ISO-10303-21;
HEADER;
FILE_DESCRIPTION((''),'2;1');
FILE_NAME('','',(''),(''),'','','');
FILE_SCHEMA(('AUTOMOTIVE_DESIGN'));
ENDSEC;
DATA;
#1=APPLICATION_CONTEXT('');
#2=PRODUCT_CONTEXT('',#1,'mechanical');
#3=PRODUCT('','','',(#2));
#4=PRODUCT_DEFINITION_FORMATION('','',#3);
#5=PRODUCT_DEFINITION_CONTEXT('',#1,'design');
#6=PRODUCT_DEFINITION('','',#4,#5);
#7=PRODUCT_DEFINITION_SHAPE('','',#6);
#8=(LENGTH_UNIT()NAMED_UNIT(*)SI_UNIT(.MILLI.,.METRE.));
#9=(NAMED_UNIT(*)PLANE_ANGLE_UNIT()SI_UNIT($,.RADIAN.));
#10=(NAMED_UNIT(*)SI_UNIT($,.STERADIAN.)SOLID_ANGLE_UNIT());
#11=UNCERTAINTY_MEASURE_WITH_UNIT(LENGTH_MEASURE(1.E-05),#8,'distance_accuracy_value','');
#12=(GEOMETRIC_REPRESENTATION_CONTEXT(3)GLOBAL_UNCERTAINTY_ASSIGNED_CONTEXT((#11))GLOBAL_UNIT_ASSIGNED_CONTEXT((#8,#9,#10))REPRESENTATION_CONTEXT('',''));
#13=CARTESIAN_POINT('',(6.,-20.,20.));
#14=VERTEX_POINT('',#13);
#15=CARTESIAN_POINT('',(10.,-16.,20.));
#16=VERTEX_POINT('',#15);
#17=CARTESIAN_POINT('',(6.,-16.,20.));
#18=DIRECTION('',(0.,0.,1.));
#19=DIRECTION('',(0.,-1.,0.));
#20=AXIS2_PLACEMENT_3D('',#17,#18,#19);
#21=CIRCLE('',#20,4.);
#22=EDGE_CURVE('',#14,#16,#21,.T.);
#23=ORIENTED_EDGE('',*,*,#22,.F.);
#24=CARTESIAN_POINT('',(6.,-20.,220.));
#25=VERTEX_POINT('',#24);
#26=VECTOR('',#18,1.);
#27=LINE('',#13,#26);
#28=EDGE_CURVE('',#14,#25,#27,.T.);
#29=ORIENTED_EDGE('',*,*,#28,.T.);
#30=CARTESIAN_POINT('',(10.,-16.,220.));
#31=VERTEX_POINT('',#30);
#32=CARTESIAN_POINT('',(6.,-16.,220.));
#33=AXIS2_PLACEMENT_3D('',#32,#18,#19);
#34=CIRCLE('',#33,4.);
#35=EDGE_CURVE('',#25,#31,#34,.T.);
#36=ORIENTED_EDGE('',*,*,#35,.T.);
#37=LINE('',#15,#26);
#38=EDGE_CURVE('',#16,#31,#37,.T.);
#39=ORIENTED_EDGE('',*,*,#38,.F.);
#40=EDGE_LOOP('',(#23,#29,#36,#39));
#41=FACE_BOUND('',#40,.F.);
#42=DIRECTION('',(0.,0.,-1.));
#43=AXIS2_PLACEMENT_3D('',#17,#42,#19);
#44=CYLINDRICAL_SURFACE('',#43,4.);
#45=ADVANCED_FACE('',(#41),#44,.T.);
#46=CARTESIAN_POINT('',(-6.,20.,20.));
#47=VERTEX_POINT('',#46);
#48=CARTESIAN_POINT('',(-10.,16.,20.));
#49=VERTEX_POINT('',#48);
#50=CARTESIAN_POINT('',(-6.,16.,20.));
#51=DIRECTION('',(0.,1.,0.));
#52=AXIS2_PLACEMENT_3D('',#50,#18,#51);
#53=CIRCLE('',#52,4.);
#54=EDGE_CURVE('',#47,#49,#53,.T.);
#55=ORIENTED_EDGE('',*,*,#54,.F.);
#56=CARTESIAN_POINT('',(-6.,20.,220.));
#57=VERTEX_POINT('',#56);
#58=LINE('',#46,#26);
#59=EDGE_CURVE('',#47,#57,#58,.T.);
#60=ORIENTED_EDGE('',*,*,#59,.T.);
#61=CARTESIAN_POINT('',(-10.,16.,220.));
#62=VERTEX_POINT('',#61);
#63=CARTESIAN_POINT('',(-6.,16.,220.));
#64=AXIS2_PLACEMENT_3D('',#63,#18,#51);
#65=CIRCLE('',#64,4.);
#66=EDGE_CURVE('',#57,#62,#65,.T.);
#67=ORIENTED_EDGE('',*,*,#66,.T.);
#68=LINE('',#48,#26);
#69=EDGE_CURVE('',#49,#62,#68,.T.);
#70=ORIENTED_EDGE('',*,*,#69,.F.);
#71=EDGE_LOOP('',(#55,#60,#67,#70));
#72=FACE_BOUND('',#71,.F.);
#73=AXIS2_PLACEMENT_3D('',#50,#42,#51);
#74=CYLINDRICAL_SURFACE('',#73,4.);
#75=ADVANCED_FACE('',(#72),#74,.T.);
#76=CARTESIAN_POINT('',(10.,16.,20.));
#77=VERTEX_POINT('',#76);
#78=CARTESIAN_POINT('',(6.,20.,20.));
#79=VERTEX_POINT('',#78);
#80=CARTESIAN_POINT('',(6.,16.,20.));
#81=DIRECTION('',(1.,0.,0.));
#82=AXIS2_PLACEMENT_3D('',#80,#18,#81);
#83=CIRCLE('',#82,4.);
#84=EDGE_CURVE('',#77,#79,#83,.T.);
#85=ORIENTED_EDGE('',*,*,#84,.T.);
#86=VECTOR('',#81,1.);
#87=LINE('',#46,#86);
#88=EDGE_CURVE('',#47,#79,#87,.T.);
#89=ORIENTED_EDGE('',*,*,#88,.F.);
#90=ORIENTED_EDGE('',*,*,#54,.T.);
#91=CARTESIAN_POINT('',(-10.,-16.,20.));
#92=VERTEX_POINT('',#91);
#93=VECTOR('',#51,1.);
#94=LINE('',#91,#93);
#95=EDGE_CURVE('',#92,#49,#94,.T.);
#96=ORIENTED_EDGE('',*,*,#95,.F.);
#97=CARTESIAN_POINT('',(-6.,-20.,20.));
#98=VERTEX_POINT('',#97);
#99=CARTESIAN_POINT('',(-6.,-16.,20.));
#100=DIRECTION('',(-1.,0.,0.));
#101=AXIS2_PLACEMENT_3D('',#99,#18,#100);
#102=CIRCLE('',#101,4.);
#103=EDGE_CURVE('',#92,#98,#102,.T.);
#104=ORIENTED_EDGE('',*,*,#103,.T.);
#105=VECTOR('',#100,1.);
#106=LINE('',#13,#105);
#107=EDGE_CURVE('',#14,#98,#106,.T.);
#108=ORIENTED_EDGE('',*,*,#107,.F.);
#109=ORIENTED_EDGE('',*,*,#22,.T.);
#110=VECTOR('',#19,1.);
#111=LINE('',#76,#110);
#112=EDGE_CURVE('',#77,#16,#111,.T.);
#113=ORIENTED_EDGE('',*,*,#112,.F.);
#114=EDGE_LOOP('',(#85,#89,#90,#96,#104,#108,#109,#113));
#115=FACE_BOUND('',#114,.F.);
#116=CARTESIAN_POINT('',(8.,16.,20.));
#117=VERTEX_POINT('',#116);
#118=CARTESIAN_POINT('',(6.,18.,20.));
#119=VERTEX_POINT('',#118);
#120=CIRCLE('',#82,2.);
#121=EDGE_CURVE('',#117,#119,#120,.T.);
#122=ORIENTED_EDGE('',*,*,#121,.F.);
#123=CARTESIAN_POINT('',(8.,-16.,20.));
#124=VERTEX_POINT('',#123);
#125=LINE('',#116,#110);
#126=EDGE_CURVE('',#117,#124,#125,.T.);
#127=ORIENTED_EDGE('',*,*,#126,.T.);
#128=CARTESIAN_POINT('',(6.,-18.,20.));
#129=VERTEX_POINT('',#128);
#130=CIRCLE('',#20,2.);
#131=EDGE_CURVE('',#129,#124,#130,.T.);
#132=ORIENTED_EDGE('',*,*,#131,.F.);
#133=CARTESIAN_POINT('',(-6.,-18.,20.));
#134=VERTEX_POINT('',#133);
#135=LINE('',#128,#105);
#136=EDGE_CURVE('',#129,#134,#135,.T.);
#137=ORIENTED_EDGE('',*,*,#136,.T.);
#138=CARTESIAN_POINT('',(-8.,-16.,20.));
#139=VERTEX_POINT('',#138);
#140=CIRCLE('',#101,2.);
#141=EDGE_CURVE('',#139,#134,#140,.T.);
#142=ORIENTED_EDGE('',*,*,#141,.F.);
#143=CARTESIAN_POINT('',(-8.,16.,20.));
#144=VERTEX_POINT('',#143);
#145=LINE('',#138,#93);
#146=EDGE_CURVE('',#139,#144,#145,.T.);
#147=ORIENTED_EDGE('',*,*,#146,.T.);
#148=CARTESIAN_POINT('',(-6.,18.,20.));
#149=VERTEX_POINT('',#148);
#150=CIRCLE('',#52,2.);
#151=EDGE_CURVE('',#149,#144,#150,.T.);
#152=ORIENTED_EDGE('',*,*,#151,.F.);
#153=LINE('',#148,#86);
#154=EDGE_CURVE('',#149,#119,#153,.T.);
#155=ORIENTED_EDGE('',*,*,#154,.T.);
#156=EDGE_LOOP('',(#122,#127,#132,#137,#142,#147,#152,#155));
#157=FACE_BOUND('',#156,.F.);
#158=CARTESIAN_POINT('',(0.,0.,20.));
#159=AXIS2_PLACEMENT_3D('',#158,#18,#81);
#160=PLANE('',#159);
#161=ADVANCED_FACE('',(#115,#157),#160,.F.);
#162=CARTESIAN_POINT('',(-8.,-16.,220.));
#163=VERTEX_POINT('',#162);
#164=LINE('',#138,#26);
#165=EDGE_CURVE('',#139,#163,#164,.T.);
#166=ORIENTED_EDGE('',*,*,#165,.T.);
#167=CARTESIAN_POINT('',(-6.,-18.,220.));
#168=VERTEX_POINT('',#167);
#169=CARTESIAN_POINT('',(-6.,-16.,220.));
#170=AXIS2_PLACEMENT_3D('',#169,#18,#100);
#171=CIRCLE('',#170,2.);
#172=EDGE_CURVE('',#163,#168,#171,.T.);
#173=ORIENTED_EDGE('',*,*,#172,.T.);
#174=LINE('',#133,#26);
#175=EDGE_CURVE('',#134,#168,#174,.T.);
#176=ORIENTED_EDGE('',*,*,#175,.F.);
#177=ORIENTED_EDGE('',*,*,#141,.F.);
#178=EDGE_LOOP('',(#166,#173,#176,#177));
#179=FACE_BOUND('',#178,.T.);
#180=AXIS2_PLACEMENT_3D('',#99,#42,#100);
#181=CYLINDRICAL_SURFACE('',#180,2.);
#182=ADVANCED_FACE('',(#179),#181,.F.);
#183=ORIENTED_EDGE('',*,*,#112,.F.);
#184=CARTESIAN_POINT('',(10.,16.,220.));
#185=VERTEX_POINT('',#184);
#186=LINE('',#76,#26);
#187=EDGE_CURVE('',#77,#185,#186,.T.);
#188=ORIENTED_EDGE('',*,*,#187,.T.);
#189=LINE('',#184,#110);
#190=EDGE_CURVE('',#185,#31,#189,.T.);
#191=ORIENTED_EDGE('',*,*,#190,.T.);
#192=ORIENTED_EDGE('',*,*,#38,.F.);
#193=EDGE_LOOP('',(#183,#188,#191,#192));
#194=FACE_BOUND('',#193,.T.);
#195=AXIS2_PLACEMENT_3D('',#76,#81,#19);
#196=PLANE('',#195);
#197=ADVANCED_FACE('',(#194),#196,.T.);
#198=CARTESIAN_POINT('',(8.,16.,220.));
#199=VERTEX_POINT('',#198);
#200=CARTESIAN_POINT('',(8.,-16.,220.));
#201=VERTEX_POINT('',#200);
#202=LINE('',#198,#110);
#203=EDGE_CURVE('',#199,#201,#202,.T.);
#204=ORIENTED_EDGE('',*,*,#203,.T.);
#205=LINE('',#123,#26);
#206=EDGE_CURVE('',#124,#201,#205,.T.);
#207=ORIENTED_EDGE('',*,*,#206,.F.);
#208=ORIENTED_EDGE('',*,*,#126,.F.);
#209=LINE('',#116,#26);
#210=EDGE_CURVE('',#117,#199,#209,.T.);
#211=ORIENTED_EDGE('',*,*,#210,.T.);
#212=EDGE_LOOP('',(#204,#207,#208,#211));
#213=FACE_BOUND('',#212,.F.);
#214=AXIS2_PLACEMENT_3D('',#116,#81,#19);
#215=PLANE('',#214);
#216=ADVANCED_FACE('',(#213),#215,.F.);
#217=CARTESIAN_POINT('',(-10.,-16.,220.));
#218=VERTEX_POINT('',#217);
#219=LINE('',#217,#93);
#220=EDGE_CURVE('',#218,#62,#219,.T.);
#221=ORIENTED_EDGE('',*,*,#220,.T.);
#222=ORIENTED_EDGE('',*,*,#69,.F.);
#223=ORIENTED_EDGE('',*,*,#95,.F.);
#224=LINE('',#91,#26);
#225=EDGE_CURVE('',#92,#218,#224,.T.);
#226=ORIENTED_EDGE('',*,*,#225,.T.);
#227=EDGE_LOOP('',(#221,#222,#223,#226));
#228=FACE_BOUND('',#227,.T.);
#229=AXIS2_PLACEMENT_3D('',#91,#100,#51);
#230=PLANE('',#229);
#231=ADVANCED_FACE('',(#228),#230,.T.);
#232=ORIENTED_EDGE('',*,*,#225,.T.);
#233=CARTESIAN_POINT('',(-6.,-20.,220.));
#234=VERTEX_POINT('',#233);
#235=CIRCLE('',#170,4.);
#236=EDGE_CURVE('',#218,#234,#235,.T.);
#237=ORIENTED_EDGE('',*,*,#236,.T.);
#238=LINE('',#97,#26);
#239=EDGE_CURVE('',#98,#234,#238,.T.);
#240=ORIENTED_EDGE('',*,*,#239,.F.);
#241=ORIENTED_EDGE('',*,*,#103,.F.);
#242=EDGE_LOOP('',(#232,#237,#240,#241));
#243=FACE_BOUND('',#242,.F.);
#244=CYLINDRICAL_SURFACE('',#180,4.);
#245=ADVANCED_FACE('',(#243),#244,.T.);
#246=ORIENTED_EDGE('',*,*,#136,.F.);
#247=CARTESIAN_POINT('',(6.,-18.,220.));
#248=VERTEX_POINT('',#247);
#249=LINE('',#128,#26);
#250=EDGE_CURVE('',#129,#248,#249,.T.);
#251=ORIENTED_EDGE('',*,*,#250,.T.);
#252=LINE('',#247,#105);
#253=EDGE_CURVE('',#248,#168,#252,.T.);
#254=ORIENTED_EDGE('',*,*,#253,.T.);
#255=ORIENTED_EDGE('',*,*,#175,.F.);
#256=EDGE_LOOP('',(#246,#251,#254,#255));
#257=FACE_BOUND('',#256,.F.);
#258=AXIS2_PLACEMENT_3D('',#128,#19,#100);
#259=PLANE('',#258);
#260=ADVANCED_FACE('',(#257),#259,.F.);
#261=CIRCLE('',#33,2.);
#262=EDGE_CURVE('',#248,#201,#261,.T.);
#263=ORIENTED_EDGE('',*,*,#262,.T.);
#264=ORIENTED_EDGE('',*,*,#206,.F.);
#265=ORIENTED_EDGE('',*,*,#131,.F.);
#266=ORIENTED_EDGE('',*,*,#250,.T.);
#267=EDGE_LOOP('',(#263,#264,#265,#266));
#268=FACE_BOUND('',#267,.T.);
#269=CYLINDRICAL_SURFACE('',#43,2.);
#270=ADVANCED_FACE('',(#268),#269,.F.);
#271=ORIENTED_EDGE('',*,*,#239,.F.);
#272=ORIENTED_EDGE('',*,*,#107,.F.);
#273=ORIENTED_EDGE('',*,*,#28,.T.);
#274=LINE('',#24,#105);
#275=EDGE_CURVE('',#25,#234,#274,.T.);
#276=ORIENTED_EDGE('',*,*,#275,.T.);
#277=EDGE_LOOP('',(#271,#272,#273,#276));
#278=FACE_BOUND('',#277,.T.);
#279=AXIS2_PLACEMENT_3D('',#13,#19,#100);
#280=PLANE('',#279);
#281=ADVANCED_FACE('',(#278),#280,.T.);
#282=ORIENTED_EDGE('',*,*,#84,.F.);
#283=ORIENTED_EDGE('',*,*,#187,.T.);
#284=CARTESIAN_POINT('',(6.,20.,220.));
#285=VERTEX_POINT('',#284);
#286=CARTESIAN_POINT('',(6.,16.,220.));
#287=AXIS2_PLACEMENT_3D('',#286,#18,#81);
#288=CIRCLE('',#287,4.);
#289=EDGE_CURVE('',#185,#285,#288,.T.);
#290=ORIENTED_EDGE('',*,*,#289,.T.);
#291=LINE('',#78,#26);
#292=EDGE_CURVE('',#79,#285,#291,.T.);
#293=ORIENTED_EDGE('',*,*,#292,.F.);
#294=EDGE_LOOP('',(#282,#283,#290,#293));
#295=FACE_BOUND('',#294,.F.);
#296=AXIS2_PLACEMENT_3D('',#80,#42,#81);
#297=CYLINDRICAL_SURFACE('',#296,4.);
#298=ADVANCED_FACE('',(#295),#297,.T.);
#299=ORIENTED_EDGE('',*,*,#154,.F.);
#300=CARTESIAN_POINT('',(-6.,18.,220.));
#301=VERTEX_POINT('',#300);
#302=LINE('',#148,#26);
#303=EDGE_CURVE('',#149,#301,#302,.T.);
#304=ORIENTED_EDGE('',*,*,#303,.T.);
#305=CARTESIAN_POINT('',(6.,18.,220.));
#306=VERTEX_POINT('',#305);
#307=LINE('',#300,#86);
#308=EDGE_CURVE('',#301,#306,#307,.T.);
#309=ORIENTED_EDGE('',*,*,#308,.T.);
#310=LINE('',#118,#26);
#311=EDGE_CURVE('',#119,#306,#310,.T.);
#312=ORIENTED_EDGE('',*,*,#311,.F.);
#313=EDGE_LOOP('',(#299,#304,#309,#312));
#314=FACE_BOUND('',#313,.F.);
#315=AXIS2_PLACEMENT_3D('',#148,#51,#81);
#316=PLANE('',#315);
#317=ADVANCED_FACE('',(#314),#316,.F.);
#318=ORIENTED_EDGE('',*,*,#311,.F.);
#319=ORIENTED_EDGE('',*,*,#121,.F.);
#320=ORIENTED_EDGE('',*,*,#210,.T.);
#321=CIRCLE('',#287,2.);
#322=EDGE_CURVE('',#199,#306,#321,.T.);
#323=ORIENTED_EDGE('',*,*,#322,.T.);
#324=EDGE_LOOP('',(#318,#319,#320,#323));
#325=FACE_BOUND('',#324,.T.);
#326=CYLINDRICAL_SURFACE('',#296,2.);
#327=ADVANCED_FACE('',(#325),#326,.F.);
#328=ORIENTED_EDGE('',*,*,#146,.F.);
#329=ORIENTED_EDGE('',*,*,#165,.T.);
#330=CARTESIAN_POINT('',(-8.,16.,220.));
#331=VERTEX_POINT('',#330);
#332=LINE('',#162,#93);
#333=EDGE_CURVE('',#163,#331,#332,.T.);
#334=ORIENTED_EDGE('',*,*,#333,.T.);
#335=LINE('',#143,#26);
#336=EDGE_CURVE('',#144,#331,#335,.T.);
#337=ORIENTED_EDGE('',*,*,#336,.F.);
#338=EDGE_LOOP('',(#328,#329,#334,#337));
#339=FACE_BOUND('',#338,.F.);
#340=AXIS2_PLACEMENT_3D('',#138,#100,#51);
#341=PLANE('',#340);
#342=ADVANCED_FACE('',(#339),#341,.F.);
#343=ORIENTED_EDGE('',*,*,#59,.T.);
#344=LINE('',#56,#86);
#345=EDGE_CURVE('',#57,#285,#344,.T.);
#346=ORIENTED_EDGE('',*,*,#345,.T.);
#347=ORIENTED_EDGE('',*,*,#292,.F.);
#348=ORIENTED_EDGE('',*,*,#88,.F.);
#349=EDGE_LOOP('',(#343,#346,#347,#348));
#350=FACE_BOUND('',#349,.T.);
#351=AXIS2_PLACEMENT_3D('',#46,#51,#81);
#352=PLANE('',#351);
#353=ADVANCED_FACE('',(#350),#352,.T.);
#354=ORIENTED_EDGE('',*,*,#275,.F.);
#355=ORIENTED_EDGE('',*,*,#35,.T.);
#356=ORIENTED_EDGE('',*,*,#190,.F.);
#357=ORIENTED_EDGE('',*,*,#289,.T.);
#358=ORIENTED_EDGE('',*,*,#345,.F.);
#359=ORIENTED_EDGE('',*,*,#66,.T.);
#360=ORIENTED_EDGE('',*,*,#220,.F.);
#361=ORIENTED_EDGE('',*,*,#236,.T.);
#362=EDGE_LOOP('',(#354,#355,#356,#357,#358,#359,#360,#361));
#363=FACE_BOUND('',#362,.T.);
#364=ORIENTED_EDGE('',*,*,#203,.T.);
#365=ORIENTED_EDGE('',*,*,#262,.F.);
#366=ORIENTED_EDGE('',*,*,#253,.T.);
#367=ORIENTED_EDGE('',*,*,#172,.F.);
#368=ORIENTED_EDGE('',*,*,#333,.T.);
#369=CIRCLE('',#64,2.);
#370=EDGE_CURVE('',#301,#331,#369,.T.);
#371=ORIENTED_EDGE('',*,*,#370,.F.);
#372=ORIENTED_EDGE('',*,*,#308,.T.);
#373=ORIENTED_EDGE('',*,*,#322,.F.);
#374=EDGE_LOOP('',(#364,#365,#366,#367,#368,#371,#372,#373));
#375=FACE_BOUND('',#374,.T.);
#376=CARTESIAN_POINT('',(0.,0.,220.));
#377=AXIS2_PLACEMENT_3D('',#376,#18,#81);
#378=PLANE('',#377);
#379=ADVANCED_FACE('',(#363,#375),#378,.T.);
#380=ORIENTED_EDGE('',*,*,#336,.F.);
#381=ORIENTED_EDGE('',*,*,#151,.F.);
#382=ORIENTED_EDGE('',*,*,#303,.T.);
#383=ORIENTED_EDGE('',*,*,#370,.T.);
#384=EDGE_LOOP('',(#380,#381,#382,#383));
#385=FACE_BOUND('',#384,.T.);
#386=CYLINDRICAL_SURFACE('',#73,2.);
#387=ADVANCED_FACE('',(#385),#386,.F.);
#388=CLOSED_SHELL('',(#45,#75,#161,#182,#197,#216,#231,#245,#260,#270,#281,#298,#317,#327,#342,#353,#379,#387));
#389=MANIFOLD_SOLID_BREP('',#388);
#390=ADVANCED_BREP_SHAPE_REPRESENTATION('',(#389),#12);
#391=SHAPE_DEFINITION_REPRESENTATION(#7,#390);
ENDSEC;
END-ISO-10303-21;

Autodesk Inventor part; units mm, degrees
ref_plane "YZ Plane" through (0, 0, 0) normal (1, 0, 0) x (0, 1, 0)
ref_plane "Start Plane" through (0, 0, 20) normal (0, 0, 1) x (1, 0, 0)
ref_plane "End Plane" through (0, 0, 220) normal (0, 0, 1) x (1, 0, 0)
sketch "Sketch" plane through (0, 0, 0) normal (0, 0, 1) x (1, 0, 0)
  line L0 (-10, -16) -> (-10, 16)
  line L1 (-6, 20) -> (6, 20)
  line L2 (10, 16) -> (10, -16)
  line L3 (6, -20) -> (-6, -20)
  arc A0 (-10, -16) -> (-6, -20) centre (-6, -16) ccw
  arc A1 (10, 16) -> (6, 20) centre (6, 16) ccw
  arc A2 (-6, 20) -> (-10, 16) centre (-6, 16) ccw
  arc A3 (6, -20) -> (10, -16) centre (6, -16) ccw
  arc A4 (-6, 18) -> (-8, 16) centre (-6, 16) ccw
  line L4 (-6, 18) -> (6, 18)
  arc A5 (8, 16) -> (6, 18) centre (6, 16) ccw
  line L5 (8, 16) -> (8, -16)
  arc A6 (6, -18) -> (8, -16) centre (6, -16) ccw
  line L6 (6, -18) -> (-6, -18)
  arc A7 (-8, -16) -> (-6, -18) centre (-6, -16) ccw
  line L7 (-8, -16) -> (-8, 16)
  line L8 (0, 29.1598) -> (0, -29.1598) construction
  line L9 (-15.1598, 0) -> (15.1598, 0) construction
  dimension "d7" = 4
  dimension "d9" = 20
  dimension "d11" = 40
  dimension "d12" = 2
  dimension "d15" = 10
  dimension "d16" = 20
extrude "Body" add sketch "Sketch" along normal up to surface (200 mm away) from surface at 20
sketch "Sketch3" plane through (0, 0, 0) normal (0, 0, 1) x (1, 0, 0)
  line L0 (0, 0) -> (10, 0)
ref_plane "Work Plane3" through (0, 0, 0) normal (0, -1, 0) x (1, 0, 0)
sketch "Sketch4" plane through (0, 0, 0) normal (0, -1, 0) x (1, 0, 0)
  line L0 (-2, 20) -> (12, 20) projected
  line L1 (-2, 220) -> (12, 220) projected
  dimension "d18" = 200
equation "\"d7\" = G_IR"
equation "\"d9\" = G_W"
equation "\"d11\" = G_H"
equation "\"d12\" = G_T"
equation "\"d15\" = 0.5 * d9"
equation "\"d16\" = 0.5 * d11"
equation "\"d3\" = G_L"
equation "\"G_W\" = 20"
equation "\"G_H\" = 40"
equation "\"G_T\" = 2"
equation "\"G_IR\" = 4"
equation "\"G_L\" = d18"
equation "\"G_OFFSET_END\" = 0"
properties part number "ISO 10799-2 - 40x20x2 - 200" material "Steel, Mild"
